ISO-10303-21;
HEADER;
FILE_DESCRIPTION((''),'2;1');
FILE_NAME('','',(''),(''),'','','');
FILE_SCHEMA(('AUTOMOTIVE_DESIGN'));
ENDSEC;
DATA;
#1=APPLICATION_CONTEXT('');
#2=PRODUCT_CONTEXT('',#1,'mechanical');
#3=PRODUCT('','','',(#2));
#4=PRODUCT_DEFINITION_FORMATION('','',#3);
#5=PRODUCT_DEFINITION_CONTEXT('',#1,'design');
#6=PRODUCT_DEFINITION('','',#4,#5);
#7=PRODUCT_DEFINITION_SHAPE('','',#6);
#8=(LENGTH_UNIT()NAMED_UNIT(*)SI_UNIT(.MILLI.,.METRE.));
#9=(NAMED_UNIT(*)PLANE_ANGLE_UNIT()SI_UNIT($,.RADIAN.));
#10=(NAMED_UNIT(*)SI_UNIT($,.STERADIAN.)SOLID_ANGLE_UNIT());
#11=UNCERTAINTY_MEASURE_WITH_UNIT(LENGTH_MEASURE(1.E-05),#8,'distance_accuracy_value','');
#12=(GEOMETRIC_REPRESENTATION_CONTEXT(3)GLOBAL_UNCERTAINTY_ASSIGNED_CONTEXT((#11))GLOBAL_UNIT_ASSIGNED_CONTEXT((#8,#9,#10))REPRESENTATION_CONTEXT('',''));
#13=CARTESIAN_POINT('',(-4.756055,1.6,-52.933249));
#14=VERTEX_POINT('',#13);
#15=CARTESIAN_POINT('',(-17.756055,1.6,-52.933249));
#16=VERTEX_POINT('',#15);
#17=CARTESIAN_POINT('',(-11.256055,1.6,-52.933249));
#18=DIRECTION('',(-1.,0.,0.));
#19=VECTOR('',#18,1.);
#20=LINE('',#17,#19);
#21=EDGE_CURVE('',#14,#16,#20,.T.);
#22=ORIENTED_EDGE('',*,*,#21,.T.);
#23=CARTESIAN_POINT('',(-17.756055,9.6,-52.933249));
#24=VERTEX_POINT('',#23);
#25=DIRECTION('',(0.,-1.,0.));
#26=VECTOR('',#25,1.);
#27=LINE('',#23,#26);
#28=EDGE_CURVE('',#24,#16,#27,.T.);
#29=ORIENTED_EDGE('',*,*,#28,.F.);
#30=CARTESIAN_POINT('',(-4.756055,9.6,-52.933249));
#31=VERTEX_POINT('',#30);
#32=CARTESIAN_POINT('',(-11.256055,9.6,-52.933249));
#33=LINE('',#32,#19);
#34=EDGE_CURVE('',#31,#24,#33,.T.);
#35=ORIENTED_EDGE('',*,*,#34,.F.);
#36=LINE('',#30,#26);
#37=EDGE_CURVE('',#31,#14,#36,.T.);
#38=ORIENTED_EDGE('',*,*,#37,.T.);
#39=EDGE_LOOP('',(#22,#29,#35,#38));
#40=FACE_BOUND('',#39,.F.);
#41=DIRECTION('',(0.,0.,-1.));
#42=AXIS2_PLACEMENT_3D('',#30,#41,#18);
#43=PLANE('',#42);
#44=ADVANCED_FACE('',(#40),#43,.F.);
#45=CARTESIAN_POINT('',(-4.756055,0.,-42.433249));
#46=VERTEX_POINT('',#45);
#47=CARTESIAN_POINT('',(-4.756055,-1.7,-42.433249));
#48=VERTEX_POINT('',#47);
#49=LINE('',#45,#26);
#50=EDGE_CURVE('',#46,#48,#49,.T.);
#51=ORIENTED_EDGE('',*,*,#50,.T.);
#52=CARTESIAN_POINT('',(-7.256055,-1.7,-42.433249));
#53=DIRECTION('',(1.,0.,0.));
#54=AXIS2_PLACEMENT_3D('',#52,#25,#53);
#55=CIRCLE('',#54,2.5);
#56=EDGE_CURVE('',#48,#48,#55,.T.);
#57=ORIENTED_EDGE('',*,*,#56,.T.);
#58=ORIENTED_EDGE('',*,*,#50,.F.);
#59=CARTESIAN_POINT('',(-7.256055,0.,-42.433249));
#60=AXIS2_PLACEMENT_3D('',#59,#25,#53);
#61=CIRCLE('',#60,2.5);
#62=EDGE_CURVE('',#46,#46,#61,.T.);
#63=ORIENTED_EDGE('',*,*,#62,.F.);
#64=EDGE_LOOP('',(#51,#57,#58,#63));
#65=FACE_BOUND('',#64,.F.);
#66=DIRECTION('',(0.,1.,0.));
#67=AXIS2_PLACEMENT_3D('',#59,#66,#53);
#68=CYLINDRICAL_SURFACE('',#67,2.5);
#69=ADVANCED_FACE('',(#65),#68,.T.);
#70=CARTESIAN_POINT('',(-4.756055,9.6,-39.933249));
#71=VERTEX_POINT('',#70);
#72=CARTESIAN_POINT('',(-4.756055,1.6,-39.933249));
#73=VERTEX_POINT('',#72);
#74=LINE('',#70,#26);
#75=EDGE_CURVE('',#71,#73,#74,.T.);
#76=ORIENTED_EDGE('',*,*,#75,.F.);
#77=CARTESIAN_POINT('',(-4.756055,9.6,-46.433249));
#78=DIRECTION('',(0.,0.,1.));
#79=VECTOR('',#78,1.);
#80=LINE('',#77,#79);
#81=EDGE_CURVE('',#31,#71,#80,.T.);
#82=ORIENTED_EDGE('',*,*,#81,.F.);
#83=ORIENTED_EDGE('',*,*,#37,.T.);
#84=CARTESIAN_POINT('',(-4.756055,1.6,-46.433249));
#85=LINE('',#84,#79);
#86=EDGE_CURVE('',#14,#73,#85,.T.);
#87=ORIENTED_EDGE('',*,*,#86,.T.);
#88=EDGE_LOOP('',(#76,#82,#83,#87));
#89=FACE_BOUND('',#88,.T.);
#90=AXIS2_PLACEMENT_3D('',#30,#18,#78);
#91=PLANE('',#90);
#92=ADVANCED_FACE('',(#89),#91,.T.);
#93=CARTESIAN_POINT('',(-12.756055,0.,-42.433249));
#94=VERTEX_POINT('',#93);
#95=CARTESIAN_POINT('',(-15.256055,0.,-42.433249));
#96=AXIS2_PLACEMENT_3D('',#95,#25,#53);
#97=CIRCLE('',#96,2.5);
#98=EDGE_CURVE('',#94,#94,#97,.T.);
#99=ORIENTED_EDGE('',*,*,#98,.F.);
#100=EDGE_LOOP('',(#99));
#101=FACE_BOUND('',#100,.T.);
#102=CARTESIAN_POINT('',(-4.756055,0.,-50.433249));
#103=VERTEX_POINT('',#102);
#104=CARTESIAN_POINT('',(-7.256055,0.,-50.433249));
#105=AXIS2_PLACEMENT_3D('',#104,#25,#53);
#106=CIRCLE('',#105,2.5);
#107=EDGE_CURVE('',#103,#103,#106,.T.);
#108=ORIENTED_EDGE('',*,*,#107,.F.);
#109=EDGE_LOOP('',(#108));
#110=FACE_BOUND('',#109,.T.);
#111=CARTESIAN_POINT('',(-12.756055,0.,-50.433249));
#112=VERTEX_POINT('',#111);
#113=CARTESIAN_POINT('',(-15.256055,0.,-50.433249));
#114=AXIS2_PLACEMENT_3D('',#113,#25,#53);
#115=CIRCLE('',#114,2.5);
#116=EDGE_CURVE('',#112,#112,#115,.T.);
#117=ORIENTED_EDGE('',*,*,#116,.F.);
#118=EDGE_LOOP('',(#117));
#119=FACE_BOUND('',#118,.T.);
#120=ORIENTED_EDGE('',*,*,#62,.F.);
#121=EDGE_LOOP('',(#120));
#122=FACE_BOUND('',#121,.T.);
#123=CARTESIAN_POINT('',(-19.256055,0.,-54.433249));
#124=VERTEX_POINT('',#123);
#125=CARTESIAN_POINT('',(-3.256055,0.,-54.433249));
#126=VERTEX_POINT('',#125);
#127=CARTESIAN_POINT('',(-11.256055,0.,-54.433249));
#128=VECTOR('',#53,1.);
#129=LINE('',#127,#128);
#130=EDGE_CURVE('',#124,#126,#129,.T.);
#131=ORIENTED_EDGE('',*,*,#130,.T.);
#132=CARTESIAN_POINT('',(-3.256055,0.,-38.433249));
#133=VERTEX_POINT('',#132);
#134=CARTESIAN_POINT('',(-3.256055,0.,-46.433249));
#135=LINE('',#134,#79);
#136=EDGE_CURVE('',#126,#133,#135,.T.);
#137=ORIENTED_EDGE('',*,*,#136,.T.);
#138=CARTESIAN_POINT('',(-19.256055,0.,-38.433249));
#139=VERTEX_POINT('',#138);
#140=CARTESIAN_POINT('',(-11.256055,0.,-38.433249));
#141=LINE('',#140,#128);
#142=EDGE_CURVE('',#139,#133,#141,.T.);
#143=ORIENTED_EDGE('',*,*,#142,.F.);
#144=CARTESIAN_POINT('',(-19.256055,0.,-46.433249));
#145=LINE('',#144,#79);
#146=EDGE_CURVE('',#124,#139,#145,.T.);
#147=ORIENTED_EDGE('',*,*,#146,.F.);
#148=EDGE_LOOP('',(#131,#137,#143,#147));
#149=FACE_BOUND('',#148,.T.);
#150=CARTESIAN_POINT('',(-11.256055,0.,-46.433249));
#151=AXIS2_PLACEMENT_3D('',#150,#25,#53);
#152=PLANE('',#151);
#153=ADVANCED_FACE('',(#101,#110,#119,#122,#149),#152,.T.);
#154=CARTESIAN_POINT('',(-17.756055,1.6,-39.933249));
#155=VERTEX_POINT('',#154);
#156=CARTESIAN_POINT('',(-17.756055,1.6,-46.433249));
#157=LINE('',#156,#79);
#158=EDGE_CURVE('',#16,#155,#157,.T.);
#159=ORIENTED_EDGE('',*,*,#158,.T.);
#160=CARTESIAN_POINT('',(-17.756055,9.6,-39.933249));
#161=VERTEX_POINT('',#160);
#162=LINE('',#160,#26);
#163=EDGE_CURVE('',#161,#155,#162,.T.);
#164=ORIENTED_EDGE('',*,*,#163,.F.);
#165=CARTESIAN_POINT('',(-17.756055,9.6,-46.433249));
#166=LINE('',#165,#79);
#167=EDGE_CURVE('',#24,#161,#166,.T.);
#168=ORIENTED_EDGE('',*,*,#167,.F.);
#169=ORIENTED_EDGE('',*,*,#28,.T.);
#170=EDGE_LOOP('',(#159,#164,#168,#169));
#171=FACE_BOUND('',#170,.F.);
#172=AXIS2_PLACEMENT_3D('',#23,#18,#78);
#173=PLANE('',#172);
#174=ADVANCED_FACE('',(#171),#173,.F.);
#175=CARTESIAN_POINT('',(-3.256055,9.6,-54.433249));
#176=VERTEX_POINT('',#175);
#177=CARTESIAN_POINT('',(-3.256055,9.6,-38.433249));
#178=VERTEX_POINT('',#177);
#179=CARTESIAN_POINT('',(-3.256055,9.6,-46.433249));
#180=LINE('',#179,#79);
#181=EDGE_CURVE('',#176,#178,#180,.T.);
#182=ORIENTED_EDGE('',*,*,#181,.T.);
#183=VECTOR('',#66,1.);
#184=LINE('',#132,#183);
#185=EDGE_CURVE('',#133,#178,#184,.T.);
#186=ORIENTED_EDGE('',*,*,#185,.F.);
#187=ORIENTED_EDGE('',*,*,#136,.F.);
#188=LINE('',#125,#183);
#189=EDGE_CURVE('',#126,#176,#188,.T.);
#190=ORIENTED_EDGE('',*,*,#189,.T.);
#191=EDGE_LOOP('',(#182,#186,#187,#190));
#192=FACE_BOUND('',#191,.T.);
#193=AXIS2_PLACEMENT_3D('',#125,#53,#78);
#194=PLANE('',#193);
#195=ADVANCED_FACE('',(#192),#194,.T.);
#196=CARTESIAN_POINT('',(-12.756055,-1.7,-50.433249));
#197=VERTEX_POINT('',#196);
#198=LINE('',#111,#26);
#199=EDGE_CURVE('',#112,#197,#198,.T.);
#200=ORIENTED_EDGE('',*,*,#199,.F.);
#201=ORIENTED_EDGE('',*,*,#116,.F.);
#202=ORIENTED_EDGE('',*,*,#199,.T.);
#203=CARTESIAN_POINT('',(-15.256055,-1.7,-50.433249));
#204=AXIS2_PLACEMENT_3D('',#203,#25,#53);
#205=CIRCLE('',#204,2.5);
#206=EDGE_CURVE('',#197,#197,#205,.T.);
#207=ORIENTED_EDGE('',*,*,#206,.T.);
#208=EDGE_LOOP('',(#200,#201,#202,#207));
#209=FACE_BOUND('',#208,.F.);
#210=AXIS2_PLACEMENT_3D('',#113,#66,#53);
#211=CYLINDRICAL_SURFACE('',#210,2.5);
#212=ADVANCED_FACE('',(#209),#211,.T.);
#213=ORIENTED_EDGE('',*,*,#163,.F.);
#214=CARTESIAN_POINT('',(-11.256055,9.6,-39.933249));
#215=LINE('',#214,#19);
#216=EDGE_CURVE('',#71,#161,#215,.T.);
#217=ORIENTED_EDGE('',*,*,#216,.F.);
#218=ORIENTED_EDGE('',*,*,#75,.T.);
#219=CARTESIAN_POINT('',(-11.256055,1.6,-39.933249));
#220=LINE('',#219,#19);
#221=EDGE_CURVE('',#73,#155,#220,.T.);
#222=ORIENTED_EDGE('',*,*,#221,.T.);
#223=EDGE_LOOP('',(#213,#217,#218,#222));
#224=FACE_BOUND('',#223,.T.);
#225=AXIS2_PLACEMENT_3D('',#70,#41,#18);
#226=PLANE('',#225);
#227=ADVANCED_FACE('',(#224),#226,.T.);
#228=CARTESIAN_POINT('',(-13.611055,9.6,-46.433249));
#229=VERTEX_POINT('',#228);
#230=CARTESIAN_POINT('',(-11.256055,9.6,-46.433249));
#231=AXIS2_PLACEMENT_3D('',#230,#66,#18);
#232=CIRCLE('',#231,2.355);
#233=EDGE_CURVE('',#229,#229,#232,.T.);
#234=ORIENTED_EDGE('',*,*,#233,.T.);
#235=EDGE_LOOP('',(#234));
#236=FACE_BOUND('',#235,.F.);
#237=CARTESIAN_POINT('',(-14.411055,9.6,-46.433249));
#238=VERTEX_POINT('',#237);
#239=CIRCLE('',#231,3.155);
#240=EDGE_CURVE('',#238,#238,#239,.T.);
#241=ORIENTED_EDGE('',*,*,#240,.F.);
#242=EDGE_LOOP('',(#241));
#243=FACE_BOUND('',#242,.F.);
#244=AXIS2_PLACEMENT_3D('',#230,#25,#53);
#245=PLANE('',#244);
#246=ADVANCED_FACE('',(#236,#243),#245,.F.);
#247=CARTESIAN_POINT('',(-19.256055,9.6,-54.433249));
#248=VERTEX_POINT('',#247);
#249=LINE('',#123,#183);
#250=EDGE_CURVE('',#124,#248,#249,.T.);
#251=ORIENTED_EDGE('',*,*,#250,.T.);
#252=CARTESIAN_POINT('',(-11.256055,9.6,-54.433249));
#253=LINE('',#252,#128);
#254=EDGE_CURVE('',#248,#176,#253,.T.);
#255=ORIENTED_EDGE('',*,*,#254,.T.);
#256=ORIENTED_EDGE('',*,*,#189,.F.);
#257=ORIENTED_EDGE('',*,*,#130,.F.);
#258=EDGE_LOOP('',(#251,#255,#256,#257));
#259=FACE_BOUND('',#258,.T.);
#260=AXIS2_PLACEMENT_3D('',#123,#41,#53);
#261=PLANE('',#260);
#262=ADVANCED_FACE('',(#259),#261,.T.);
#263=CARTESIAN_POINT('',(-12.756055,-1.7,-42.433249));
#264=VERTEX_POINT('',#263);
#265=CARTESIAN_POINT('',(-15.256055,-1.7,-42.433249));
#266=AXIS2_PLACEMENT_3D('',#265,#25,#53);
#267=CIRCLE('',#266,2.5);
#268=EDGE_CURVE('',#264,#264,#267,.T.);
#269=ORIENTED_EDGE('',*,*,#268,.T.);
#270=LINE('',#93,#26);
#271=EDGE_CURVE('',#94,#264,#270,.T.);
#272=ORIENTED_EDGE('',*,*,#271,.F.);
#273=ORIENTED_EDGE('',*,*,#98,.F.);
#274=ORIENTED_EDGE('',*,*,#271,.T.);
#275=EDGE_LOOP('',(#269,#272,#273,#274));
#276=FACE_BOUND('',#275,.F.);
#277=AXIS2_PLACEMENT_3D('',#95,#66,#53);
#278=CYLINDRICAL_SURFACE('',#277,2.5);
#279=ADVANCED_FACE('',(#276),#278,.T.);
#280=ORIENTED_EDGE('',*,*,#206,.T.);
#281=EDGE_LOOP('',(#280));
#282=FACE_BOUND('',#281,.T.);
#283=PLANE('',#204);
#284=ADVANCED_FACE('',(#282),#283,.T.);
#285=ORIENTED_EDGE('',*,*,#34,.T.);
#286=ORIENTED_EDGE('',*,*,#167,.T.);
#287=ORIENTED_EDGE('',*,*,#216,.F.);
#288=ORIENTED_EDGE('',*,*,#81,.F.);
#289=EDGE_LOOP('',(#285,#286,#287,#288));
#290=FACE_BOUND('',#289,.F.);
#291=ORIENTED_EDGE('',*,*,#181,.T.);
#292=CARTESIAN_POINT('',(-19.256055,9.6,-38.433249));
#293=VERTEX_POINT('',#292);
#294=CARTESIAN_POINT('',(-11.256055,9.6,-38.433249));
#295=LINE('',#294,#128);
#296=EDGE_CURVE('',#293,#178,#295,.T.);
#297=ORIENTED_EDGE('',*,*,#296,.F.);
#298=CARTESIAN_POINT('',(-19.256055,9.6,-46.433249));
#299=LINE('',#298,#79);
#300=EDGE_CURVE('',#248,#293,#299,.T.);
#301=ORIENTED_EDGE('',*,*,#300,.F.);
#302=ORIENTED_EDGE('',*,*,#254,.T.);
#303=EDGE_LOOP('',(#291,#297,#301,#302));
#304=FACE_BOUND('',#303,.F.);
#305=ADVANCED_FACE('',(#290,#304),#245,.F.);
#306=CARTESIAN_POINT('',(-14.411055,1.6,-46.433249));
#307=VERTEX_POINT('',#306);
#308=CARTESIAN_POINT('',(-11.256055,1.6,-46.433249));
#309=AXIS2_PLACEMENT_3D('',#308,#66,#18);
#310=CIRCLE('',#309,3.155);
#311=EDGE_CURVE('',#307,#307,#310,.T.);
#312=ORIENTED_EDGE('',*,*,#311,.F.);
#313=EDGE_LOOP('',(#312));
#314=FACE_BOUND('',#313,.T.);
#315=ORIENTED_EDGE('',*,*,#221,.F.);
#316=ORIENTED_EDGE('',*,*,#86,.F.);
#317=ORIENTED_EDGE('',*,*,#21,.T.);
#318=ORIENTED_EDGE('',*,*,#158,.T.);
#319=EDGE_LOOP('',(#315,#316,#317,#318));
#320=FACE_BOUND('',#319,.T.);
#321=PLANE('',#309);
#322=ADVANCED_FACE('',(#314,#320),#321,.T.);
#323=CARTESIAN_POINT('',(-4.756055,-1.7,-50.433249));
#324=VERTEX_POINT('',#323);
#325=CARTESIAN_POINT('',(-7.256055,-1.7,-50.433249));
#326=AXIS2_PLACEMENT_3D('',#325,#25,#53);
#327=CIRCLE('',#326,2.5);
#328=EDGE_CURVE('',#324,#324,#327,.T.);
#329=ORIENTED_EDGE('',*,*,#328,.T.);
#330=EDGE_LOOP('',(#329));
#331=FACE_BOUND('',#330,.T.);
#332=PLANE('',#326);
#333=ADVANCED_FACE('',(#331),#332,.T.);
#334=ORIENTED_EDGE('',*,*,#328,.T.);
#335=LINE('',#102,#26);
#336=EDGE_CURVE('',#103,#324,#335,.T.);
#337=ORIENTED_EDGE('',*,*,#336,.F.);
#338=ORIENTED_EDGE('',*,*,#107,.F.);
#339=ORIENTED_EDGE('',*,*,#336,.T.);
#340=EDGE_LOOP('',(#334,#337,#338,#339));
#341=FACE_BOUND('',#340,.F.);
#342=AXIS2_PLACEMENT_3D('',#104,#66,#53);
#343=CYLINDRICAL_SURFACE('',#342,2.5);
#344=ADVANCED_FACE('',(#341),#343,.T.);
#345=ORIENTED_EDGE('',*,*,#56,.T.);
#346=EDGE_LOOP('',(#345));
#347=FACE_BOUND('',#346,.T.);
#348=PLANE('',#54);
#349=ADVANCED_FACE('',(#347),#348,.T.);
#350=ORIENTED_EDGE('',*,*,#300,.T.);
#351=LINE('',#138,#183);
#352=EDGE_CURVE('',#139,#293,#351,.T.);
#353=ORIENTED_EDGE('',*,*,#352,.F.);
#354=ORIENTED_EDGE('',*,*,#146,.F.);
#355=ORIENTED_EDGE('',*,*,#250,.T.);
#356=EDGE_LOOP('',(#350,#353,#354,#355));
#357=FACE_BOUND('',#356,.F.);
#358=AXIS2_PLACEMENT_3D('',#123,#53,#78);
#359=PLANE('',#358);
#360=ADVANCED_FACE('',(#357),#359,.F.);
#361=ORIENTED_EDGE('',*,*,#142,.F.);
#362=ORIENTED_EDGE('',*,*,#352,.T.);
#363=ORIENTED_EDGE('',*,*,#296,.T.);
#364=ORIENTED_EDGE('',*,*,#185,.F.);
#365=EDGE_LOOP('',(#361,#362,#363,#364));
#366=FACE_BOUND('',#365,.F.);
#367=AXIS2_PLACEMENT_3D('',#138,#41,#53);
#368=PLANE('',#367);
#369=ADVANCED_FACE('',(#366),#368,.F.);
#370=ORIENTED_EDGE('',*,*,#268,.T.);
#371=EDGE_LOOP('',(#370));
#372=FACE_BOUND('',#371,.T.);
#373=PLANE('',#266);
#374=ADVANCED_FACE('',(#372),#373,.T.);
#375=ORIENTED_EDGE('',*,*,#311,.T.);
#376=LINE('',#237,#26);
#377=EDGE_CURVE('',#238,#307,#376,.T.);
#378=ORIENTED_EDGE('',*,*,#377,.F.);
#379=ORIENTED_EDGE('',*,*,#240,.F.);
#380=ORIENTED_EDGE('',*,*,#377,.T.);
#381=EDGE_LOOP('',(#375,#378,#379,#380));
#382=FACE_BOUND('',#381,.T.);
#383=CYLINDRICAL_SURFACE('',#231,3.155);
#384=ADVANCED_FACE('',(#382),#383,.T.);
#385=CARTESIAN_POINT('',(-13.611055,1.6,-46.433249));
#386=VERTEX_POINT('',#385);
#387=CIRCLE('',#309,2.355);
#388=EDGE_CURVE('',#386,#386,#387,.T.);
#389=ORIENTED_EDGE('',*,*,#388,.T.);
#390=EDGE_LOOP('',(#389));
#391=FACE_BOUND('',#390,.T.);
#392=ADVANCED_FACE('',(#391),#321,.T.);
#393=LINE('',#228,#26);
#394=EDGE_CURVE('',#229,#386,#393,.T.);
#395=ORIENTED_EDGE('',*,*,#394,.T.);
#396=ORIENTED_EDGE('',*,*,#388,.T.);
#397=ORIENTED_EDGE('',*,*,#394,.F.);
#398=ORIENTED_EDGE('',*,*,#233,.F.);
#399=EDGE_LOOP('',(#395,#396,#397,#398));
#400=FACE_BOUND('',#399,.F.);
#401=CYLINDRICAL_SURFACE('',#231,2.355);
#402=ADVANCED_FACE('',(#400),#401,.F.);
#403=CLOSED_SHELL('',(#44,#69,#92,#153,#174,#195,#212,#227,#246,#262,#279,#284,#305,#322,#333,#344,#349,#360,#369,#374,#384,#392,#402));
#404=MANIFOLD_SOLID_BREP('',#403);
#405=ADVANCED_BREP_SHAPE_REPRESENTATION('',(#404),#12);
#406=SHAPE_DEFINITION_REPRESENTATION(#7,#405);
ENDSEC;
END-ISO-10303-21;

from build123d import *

# Parameters (mm, degrees)
F0_W     = 16
F0_H     = 16
F1_DEPTH = 9.6
F2_R     = 2.5
F3_DEPTH = 1.7
F4_W     = 13
F4_H     = 13
F4_R     = 3.155
F4_R_2   = 2.355
F5_DEPTH = 8


with BuildPart() as f1:
    # F0 (on Front) → F1 (new body)
    with BuildSketch(Plane.XZ):
        with Locations((-11.256055, -46.433249)):
            Rectangle(F0_W, F0_H)
    extrude(amount=-F1_DEPTH)

    # F2 (on face) → F3 (join)
    with BuildSketch(Plane.XZ):
        with Locations((-15.256055, -42.433249)):
            Circle(F2_R)
        with Locations((-15.256055, -50.433249)):
            Circle(F2_R)
        with Locations((-7.256055, -42.433249)):
            Circle(F2_R)
        with Locations((-7.256055, -50.433249)):
            Circle(F2_R)
    extrude(amount=F3_DEPTH)

    # F4 (on face) → F5 (cut)
    with BuildSketch(Plane(origin=(0, 9.6, 0), x_dir=(-1, 0, 0), z_dir=(0, 1, 0))):
        with Locations((11.256055, -46.433249)):
            Rectangle(F4_W, F4_H)
        with Locations((11.256055, -46.433249)):
            Circle(F4_R, mode=Mode.SUBTRACT)
        with Locations((11.256055, -46.433249)):
            Circle(F4_R_2)
    extrude(amount=-F5_DEPTH, mode=Mode.SUBTRACT)


solid = f1.part
